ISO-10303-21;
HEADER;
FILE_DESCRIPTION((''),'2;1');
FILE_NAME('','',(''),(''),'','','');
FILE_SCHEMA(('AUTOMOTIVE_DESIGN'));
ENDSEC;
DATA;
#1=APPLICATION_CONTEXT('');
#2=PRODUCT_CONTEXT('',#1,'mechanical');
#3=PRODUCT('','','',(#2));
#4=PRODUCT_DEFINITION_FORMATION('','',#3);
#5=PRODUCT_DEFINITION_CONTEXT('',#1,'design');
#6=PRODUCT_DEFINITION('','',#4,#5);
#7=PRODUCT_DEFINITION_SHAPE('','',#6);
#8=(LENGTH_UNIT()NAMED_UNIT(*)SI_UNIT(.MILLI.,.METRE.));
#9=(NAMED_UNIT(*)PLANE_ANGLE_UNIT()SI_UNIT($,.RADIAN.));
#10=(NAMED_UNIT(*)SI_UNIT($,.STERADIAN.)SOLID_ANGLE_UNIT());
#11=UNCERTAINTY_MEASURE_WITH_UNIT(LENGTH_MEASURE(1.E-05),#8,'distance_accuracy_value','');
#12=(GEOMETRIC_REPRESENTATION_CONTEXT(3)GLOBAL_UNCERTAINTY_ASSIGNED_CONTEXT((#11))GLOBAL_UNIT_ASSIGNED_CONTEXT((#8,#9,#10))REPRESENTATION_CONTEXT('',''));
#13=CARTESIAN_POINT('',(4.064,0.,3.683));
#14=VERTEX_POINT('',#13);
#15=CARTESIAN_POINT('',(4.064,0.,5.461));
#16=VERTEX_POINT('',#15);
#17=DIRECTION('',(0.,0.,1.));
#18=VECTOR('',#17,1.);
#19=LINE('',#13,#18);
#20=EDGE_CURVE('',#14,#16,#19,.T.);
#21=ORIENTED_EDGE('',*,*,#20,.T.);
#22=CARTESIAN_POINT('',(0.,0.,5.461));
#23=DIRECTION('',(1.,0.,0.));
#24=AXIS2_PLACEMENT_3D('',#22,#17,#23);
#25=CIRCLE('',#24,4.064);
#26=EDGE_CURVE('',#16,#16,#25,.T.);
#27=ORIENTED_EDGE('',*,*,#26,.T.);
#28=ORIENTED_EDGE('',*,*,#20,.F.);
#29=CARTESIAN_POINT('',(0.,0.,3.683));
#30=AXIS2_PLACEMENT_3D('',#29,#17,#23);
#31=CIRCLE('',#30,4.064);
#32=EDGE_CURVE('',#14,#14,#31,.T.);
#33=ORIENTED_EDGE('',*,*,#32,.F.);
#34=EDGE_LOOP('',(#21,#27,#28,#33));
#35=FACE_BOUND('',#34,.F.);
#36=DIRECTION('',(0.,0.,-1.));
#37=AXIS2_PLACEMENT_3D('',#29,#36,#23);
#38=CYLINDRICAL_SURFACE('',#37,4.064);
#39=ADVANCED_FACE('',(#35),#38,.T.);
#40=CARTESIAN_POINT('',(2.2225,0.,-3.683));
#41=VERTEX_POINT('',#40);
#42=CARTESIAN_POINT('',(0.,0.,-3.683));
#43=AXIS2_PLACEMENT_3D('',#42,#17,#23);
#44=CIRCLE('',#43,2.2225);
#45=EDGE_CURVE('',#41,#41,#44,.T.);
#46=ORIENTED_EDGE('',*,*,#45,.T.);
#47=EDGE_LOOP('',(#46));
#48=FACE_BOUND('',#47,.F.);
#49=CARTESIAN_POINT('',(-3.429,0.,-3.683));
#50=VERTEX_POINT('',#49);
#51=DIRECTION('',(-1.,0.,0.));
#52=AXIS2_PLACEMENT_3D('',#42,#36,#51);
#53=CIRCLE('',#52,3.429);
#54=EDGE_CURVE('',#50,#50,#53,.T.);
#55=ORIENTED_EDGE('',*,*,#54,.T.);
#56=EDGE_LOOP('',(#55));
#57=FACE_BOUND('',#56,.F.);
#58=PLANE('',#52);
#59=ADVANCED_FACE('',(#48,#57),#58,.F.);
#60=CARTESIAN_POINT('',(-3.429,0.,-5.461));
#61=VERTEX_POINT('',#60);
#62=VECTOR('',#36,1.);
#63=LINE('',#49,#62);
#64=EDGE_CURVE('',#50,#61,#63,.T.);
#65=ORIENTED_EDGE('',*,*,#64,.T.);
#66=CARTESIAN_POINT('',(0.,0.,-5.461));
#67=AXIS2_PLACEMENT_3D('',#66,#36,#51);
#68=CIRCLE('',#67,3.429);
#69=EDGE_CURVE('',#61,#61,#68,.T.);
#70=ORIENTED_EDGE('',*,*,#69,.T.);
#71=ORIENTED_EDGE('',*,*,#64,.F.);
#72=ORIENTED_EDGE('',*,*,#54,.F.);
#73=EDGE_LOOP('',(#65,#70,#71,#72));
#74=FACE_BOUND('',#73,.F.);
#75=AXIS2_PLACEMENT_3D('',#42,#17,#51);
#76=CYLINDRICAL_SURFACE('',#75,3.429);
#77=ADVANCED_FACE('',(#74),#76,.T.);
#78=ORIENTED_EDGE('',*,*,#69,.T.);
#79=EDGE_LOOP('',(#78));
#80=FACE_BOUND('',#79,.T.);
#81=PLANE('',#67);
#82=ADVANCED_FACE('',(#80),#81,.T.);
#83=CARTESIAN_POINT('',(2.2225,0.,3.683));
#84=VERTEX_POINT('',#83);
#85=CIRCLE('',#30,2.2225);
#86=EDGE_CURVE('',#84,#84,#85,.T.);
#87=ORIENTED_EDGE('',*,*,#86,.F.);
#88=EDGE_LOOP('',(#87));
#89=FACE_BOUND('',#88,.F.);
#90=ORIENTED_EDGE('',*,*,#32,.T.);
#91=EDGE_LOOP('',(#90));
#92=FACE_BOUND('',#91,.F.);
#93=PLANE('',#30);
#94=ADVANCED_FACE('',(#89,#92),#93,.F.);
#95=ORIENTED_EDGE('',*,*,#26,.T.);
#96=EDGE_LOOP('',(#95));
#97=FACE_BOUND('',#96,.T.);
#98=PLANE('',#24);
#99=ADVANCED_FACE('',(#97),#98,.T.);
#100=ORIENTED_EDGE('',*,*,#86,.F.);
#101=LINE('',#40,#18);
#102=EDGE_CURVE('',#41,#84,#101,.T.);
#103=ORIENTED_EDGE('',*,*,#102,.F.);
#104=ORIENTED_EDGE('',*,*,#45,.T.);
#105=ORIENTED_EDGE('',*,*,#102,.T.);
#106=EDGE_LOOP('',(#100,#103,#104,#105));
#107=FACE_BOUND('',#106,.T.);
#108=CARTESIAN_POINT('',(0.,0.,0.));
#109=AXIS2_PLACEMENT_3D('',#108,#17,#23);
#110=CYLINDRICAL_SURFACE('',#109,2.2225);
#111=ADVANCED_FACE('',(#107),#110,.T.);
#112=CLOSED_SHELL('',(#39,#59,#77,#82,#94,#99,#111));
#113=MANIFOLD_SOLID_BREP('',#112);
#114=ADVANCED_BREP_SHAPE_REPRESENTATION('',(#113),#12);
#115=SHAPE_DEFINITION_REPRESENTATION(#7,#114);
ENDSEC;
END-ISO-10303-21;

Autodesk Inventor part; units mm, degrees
ref_plane "YZ Plane" through (0, 0, 0) normal (1, 0, 0) x (0, 1, 0)
ref_plane "XZ Plane" through (0, 0, 0) normal (0, 1, 0) x (-1, 0, 0)
ref_plane "XY Plane" through (0, 0, 0) normal (0, 0, 1) x (1, 0, 0)
sketch "Sketch1" plane through (0, 0, 0) normal (0, 0, 1) x (1, 0, 0)
  circle A0 centre (0, 0) radius 2.2225
  dimension "d0" = 4.445
extrude "Extrusion1" add sketch "Sketch1" along normal mid plane 7.366
sketch "Sketch2" plane through (0, 0, 3.683) normal (0, 0, 1) x (1, 0, 0)
  circle A0 centre (0, 0) radius 2.2225 projected
  circle A1 centre (0, 0) radius 4.064
  dimension "d3" = 8.128
extrude "Extrusion2" add sketch "Sketch2" along normal blind 1.778 contours A0 | A1
sketch "Sketch3" plane through (0, 0, -3.683) normal (0, 0, -1) x (-1, 0, 0)
  circle A0 centre (0, 0) radius 3.429
  dimension "d6" = 6.858
extrude "Extrusion3" add sketch "Sketch3" along normal blind 1.778
properties part number "Rivet" material "Stainless Steel"
